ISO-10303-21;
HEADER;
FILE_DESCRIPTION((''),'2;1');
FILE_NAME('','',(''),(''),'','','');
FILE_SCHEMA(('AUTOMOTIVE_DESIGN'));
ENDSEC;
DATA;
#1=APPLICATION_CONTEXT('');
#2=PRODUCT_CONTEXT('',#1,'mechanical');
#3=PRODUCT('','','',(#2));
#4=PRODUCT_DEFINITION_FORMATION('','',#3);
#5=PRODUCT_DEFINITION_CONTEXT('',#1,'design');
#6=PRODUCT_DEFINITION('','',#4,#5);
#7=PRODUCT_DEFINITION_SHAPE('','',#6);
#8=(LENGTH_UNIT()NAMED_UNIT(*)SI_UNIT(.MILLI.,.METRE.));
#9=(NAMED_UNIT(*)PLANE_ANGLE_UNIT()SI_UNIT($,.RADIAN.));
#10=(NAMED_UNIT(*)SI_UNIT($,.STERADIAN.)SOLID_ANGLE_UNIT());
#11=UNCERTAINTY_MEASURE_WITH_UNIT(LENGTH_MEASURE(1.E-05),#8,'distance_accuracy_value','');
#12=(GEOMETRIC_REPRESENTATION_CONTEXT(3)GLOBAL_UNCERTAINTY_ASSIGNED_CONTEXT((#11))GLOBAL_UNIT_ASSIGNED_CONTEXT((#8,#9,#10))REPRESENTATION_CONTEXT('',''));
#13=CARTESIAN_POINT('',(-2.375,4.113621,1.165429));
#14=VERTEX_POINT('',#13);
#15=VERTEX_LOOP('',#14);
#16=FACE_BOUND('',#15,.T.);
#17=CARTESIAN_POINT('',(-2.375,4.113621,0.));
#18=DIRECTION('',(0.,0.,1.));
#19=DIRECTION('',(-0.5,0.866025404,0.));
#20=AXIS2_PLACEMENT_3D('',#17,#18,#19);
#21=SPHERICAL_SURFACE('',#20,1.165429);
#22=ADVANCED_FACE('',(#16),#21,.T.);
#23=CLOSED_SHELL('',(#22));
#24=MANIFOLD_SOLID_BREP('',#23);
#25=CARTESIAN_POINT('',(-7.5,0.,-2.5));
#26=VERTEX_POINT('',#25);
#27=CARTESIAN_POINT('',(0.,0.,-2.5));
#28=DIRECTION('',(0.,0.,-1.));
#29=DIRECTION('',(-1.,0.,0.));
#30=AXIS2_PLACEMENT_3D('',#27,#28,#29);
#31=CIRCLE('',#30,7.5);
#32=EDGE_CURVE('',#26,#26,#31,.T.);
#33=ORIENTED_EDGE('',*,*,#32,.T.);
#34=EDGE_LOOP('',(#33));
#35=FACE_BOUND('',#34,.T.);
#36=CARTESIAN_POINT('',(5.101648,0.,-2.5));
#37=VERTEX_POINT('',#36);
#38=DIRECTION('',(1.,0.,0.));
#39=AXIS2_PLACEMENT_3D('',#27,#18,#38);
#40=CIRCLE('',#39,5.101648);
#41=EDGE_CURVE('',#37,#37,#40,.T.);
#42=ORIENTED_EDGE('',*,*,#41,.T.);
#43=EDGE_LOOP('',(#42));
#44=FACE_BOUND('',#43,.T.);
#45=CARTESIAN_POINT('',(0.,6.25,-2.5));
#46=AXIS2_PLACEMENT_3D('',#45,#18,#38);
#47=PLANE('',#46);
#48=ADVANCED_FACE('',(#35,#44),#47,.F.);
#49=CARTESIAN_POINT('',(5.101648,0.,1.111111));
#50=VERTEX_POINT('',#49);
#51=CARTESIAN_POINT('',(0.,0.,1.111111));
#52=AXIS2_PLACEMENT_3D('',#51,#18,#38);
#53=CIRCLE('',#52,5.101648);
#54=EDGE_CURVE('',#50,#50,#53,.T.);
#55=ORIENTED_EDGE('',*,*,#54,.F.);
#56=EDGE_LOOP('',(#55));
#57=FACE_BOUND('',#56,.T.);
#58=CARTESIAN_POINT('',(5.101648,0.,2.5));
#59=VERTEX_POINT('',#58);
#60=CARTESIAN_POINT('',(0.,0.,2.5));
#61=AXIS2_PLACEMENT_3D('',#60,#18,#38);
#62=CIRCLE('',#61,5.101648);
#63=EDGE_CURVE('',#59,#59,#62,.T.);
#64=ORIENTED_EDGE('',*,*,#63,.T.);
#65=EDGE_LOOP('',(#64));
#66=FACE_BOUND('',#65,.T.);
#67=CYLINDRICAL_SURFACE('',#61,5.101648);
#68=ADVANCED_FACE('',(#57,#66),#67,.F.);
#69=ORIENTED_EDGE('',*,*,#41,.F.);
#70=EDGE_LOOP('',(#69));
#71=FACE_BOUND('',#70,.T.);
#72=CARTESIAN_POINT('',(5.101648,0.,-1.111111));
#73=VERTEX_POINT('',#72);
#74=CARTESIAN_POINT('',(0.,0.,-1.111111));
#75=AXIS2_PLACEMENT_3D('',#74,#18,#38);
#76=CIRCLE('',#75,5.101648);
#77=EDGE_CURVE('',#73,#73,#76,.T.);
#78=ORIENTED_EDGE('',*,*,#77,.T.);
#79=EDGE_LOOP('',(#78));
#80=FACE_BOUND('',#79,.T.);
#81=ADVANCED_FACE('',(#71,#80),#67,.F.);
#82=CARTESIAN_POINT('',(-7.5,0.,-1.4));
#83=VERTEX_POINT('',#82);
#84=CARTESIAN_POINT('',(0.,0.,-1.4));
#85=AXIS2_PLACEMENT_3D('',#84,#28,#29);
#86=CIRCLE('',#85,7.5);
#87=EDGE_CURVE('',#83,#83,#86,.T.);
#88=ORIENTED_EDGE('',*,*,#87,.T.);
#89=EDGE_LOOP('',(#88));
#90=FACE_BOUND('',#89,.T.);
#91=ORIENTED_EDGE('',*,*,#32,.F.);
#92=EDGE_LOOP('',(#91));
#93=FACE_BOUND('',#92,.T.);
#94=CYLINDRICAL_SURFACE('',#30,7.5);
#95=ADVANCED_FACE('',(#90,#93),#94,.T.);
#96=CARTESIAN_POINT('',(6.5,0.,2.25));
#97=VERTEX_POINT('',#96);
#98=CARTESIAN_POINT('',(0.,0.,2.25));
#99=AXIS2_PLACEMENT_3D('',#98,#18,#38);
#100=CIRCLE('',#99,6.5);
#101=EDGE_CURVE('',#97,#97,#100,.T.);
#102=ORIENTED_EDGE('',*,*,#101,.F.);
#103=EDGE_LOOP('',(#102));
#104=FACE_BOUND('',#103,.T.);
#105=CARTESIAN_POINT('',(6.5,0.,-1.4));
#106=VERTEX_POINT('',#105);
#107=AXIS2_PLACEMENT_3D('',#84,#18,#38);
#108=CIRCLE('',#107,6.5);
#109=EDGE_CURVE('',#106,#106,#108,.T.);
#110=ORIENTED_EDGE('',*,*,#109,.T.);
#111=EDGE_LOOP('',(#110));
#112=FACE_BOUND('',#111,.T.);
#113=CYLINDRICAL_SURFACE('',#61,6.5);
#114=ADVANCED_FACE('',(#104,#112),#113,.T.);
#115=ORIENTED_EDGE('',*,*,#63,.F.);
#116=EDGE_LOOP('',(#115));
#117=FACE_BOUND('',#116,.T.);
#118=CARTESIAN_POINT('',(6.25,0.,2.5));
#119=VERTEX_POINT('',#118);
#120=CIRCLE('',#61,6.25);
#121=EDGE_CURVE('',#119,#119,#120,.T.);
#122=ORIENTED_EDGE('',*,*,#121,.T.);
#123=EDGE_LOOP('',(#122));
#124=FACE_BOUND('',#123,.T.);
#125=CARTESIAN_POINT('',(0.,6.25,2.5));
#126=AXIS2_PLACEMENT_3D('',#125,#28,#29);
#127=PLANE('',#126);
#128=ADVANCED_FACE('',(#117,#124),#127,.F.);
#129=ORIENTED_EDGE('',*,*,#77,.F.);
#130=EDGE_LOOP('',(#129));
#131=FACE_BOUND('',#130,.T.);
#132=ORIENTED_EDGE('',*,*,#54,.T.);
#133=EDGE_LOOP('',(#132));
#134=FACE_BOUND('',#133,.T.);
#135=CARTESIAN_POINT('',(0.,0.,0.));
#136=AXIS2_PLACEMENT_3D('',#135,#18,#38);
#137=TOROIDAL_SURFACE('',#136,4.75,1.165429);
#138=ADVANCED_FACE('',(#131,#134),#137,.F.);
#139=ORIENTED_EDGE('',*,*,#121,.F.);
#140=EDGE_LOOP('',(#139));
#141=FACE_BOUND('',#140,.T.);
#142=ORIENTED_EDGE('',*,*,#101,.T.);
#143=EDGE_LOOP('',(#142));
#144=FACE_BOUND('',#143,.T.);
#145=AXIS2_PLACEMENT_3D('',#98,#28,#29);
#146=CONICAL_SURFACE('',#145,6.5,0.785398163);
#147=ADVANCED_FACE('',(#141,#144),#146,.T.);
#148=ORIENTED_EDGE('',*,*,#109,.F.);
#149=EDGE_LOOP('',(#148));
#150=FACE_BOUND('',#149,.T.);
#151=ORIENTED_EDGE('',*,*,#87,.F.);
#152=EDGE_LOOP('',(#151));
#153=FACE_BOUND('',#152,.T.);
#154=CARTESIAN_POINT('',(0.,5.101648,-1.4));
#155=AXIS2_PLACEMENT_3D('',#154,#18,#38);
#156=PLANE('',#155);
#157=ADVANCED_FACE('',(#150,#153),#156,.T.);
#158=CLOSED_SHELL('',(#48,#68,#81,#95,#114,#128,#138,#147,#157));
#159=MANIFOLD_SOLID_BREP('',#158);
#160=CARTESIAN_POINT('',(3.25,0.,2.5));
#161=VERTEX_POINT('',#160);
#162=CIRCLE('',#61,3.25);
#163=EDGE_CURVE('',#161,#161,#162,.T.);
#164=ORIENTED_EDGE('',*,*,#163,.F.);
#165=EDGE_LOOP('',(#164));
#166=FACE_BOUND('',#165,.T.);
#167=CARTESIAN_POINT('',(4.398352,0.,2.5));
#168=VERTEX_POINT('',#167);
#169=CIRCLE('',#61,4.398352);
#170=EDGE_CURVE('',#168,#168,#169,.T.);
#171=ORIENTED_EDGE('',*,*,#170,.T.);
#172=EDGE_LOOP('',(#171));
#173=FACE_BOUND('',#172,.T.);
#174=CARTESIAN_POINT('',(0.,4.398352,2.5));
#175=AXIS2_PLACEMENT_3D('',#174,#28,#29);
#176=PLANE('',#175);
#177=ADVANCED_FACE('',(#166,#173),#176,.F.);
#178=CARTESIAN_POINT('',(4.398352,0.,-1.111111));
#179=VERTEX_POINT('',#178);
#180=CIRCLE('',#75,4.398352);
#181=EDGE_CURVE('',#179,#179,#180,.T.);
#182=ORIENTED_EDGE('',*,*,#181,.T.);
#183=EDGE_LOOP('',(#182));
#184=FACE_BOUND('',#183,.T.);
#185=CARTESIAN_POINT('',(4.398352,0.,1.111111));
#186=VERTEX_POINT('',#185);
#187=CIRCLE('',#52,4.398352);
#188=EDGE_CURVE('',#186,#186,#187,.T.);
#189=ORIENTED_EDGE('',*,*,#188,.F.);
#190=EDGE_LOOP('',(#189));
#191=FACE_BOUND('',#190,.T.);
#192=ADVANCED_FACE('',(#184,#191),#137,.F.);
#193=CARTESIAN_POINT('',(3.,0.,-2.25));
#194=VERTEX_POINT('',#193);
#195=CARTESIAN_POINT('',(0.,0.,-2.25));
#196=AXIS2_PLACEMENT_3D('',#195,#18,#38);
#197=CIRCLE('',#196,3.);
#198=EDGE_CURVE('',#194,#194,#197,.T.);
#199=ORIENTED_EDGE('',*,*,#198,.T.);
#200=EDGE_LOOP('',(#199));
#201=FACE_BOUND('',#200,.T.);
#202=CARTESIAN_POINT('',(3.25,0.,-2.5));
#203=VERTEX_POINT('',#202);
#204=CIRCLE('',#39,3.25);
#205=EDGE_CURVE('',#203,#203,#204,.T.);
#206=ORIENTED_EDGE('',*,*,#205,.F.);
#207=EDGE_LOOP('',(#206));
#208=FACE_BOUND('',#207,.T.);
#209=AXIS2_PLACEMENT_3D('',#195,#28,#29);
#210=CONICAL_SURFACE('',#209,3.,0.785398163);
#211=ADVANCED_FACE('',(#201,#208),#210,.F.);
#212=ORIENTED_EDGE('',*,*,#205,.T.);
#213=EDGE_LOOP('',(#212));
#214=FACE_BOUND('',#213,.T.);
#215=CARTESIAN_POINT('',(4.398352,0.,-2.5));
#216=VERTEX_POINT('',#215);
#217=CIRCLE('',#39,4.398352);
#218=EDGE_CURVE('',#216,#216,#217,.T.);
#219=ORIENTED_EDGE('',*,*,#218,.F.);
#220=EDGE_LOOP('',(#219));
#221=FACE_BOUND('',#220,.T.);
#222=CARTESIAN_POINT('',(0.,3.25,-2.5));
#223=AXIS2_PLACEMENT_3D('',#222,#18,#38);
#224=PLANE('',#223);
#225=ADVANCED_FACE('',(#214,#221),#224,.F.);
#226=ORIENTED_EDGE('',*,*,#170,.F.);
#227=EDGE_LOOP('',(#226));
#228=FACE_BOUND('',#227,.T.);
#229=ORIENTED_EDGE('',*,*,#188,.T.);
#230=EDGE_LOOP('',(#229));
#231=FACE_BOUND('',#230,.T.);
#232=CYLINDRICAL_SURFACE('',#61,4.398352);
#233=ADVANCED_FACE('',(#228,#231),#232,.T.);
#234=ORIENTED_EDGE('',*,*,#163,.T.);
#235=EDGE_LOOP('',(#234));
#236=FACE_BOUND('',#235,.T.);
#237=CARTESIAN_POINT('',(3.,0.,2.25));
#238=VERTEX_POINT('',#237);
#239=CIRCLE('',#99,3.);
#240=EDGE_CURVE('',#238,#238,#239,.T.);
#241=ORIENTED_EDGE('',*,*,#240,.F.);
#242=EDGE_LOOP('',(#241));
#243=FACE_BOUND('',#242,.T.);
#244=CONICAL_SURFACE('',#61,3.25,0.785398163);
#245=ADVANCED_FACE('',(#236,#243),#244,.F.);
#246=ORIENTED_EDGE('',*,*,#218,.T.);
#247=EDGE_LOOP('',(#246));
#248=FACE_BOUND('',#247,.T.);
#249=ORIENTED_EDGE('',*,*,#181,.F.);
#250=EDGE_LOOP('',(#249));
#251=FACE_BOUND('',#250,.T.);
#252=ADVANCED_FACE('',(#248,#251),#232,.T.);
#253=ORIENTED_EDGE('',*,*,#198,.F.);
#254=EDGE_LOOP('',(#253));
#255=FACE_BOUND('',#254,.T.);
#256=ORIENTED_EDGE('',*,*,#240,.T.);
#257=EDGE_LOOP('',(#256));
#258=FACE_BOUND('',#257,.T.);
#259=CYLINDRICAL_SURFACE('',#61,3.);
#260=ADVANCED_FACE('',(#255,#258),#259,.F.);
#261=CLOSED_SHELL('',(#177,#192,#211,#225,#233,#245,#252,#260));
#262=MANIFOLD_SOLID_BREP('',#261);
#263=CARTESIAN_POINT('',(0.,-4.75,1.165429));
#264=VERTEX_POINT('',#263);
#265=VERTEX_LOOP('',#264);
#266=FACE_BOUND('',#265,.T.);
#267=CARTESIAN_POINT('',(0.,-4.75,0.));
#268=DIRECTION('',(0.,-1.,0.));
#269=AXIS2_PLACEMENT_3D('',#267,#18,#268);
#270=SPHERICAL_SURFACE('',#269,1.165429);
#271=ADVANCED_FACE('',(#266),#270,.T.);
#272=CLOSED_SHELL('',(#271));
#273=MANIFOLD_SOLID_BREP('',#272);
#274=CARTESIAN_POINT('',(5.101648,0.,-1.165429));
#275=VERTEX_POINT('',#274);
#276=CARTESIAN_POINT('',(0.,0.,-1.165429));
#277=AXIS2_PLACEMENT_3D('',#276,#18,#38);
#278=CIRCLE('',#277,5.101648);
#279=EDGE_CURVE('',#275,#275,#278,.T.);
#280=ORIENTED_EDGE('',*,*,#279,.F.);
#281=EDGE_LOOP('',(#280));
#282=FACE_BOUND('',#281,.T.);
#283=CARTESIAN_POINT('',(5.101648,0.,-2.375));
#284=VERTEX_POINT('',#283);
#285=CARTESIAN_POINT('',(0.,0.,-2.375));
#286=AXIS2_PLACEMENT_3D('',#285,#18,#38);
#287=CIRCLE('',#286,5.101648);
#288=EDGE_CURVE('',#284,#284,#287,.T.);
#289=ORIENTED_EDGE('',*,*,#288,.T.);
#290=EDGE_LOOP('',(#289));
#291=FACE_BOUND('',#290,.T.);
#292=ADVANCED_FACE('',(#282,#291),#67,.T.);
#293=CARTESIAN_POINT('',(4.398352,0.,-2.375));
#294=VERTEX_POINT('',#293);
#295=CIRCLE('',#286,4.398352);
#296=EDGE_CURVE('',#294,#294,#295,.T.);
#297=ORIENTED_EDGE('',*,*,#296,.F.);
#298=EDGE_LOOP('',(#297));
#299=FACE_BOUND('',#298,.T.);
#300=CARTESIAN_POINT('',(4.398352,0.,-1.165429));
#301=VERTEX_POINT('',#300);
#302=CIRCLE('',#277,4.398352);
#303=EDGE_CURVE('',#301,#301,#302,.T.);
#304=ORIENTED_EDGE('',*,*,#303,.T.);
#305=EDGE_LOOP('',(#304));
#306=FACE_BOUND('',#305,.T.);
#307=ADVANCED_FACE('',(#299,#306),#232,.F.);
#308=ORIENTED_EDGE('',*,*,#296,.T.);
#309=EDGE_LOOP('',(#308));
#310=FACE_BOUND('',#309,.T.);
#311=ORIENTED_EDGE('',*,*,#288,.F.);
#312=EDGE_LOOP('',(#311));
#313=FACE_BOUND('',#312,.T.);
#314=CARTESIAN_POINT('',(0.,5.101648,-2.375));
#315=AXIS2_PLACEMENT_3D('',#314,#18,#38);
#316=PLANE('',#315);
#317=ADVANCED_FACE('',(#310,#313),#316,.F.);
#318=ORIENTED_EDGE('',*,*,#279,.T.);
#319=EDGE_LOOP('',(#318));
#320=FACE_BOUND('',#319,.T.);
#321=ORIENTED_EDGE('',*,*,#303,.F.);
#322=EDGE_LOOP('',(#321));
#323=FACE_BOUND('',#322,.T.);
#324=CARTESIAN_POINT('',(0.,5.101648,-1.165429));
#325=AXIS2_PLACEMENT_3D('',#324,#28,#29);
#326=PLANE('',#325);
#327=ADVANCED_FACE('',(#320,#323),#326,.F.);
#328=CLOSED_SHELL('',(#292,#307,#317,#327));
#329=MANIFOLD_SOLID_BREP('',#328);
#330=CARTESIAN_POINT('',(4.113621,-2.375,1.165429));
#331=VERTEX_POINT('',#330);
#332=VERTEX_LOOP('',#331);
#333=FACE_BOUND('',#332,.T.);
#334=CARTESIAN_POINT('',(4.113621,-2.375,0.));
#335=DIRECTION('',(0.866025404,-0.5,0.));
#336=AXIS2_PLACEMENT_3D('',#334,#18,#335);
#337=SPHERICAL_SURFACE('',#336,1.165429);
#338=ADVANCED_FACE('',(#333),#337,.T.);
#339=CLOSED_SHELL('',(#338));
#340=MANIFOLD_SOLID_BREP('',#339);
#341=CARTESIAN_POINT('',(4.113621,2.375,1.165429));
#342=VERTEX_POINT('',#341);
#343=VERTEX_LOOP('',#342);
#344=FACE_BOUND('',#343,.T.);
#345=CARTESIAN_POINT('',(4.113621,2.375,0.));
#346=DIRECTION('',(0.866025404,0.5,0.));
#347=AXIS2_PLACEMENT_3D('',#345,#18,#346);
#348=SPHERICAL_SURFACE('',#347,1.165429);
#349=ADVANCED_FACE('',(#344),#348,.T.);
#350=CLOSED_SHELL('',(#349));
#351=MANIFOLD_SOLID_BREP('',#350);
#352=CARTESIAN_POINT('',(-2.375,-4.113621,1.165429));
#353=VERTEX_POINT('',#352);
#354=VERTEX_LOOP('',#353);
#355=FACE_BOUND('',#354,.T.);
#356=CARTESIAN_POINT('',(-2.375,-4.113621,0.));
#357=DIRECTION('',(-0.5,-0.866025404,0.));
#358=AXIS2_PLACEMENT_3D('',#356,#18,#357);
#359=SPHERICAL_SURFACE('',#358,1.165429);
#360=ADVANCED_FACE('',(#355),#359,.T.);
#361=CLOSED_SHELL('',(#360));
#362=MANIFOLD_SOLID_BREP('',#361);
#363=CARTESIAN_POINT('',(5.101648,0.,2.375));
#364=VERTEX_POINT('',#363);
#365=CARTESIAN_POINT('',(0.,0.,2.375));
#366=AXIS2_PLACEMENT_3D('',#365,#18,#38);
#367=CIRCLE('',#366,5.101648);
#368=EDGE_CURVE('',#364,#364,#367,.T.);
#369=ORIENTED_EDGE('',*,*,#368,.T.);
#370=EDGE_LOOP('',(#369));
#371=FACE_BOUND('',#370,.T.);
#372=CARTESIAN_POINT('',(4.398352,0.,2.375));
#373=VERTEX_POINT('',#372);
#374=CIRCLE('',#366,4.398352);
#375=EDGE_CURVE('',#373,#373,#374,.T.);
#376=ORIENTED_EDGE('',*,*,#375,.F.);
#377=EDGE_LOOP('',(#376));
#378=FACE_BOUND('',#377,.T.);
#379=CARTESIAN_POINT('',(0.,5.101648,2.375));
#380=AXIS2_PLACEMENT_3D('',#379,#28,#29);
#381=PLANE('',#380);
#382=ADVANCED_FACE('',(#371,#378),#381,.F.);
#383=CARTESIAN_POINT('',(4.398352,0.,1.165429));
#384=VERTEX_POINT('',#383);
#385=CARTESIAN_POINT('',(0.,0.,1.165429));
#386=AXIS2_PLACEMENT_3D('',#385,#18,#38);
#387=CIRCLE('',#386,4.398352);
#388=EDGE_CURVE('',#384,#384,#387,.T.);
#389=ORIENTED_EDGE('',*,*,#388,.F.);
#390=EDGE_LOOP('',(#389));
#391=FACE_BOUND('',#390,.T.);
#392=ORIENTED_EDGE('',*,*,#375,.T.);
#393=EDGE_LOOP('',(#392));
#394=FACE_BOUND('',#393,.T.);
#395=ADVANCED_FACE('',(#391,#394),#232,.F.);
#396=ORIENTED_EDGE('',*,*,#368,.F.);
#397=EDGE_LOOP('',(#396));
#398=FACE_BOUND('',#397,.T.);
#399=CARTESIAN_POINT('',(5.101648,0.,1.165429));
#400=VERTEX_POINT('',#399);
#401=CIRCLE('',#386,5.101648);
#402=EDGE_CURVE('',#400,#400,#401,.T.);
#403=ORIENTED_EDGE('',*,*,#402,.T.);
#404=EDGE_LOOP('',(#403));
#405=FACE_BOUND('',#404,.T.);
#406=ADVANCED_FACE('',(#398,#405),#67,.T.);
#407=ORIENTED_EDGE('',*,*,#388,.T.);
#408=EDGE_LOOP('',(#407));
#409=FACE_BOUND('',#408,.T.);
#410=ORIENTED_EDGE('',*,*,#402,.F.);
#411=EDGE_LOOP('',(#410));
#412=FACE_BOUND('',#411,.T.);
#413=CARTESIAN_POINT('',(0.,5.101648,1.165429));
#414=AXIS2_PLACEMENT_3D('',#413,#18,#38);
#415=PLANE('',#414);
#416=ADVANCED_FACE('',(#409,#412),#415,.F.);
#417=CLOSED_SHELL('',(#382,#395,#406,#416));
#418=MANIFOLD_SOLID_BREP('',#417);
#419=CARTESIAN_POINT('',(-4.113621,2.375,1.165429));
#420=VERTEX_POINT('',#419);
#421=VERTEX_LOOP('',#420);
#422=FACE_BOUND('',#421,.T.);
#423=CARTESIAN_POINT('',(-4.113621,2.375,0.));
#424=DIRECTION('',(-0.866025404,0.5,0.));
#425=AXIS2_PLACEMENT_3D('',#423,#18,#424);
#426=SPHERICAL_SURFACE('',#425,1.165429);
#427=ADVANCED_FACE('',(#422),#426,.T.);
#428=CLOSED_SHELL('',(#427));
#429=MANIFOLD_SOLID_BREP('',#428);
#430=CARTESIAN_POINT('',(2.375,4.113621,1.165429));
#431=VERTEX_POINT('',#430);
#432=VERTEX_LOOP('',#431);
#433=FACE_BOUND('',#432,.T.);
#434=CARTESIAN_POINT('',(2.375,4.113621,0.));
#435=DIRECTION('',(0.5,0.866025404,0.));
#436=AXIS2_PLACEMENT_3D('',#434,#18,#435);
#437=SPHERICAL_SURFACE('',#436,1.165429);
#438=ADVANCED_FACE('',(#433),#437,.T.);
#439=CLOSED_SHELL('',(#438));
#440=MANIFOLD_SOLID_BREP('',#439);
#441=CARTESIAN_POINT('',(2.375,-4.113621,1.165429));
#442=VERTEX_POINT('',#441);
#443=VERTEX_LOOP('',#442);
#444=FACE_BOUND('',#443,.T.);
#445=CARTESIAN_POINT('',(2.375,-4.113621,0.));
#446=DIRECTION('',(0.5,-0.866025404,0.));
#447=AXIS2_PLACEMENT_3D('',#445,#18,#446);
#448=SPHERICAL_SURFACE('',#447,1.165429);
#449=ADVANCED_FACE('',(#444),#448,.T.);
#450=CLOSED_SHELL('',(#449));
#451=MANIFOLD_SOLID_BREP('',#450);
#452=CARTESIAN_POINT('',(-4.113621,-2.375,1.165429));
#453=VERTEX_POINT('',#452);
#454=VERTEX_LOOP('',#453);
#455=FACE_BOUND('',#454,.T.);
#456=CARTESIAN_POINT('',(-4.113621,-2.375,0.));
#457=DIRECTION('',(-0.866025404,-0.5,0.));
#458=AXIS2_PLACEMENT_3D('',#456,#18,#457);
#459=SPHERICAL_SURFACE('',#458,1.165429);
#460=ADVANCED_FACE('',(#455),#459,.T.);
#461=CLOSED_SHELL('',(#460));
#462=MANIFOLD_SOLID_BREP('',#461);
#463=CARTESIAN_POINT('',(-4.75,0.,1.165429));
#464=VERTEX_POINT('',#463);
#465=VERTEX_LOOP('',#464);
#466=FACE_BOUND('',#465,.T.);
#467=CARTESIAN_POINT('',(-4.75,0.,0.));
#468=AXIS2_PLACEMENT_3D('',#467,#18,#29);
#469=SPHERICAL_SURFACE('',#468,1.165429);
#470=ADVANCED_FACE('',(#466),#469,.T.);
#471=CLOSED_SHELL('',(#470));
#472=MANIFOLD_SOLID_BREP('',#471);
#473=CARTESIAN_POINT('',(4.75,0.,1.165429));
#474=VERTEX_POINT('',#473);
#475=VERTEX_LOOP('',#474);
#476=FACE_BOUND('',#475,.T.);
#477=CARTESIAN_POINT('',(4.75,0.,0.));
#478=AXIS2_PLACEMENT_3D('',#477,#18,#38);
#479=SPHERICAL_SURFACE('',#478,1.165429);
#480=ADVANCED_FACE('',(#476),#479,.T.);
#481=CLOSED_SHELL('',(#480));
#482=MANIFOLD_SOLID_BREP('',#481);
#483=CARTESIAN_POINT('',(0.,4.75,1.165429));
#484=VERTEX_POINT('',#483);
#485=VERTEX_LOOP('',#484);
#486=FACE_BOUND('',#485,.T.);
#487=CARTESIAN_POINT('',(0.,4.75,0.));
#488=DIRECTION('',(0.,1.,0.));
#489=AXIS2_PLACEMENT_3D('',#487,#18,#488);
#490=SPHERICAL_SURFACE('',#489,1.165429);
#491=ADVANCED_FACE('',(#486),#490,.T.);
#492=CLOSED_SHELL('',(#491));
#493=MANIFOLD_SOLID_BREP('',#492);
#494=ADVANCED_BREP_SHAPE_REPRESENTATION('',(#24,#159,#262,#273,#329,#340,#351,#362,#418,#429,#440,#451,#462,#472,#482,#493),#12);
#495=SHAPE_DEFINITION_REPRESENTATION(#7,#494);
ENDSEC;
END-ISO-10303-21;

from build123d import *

# Parameters (mm, degrees)
CIRPATTERN1_COUNT = 12
SKETCH5_W         = 1.209571124
SKETCH5_H         = 0.703296704
SKETCH6_W         = 1.1
SKETCH6_H         = 2.398351648


with BuildPart() as part:
    # Sketch1 → Revolve1 (revolve)
    with BuildSketch(Plane(origin=(0, 0, 0), x_dir=(0, 0, -1), z_dir=(1, 0, 0))):
        with BuildLine():
            Line((2.25, 6.5), (-2.25, 6.5))
            Line((-2.25, 6.5), (-2.5, 6.25))
            Line((-2.5, 6.25), (-2.5, 5.101648352))
            Line((-2.5, 5.101648352), (-1.111111111, 5.101648352))
            ThreePointArc((-1.111111111, 5.101648352), (0, 5.915428876), (1.111111111, 5.101648352))
            Line((1.111111111, 5.101648352), (2.5, 5.101648352))
            Line((2.5, 5.101648352), (2.5, 6.25))
            Line((2.5, 6.25), (2.25, 6.5))
        make_face()
    revolve(axis=Axis((0, 0, 2.5), (0, 0, -1)))

    # Sketch6 → Revolve6 (revolve)
    with BuildSketch(Plane(origin=(0, 0, 0), x_dir=(0, 0, -1), z_dir=(1, 0, 0))):
        with Locations((1.95, 6.300824176)):
            Rectangle(SKETCH6_W, SKETCH6_H)
    revolve(axis=Axis((0, 0, -2.5), (0, 0, 1)))


with BuildPart() as body_2:
    # Sketch3 → Revolve3 (revolve)
    with BuildSketch(Plane(origin=(0, 0, 0), x_dir=(0, 0, -1), z_dir=(1, 0, 0))):
        with BuildLine():
            Line((-2.5, 4.398351648), (-1.111111111, 4.398351648))
            ThreePointArc((-1.111111111, 4.398351648), (0, 3.584571124), (1.111111111, 4.398351648))
            Line((1.111111111, 4.398351648), (2.5, 4.398351648))
            Line((2.5, 4.398351648), (2.5, 3.25))
            Line((2.5, 3.25), (2.25, 3))
            Line((2.25, 3), (-2.25, 3))
            Line((-2.25, 3), (-2.5, 3.25))
            Line((-2.5, 3.25), (-2.5, 4.398351648))
        make_face()
    revolve(axis=Axis((0, 0, 2.5), (0, 0, -1)))


with BuildPart() as body_3:
    # Sketch4 → Revolve4 (revolve)
    with BuildSketch(Plane(origin=(0, 0, 0), x_dir=(0, 0, -1), z_dir=(1, 0, 0))):
        with BuildLine():
            Line((-1.165428876, 4.75), (1.165428876, 4.75))
            ThreePointArc((1.165428876, 4.75), (0, 5.915428876), (-1.165428876, 4.75))
        make_face()
    revolve(axis=Axis((0, 4.75, 1.165428876), (0, 0, -1)))


with BuildPart() as cirpattern1_1:
    # CirPattern1: pattern copy
    add(body_3.part.rotate(Axis((0, 0, 0), (0, 0, 1)), 1 * 360 / CIRPATTERN1_COUNT))


with BuildPart() as cirpattern1_2:
    # CirPattern1: pattern copy
    add(body_3.part.rotate(Axis((0, 0, 0), (0, 0, 1)), 2 * 360 / CIRPATTERN1_COUNT))


with BuildPart() as cirpattern1_3:
    # CirPattern1: pattern copy
    add(body_3.part.rotate(Axis((0, 0, 0), (0, 0, 1)), 3 * 360 / CIRPATTERN1_COUNT))


with BuildPart() as cirpattern1_4:
    # CirPattern1: pattern copy
    add(body_3.part.rotate(Axis((0, 0, 0), (0, 0, 1)), 4 * 360 / CIRPATTERN1_COUNT))


with BuildPart() as cirpattern1_5:
    # CirPattern1: pattern copy
    add(body_3.part.rotate(Axis((0, 0, 0), (0, 0, 1)), 5 * 360 / CIRPATTERN1_COUNT))


with BuildPart() as cirpattern1_6:
    # CirPattern1: pattern copy
    add(body_3.part.rotate(Axis((0, 0, 0), (0, 0, 1)), 6 * 360 / CIRPATTERN1_COUNT))


with BuildPart() as cirpattern1_7:
    # CirPattern1: pattern copy
    add(body_3.part.rotate(Axis((0, 0, 0), (0, 0, 1)), 7 * 360 / CIRPATTERN1_COUNT))


with BuildPart() as cirpattern1_8:
    # CirPattern1: pattern copy
    add(body_3.part.rotate(Axis((0, 0, 0), (0, 0, 1)), 8 * 360 / CIRPATTERN1_COUNT))


with BuildPart() as cirpattern1_9:
    # CirPattern1: pattern copy
    add(body_3.part.rotate(Axis((0, 0, 0), (0, 0, 1)), 9 * 360 / CIRPATTERN1_COUNT))


with BuildPart() as cirpattern1_10:
    # CirPattern1: pattern copy
    add(body_3.part.rotate(Axis((0, 0, 0), (0, 0, 1)), 10 * 360 / CIRPATTERN1_COUNT))


with BuildPart() as cirpattern1_11:
    # CirPattern1: pattern copy
    add(body_3.part.rotate(Axis((0, 0, 0), (0, 0, 1)), 11 * 360 / CIRPATTERN1_COUNT))


with BuildPart() as body_15:
    # Sketch5 → Revolve5 (revolve)
    with BuildSketch(Plane(origin=(0, 0, 0), x_dir=(0, 0, -1), z_dir=(1, 0, 0))):
        with Locations((-1.770214438, 4.75)):
            Rectangle(SKETCH5_W, SKETCH5_H)
        with Locations((1.770214438, 4.75)):
            Rectangle(SKETCH5_W, SKETCH5_H)
    revolve(axis=Axis((0, 0, 2.5), (0, 0, -1)))


solid = Compound([part.part, body_2.part, body_3.part, cirpattern1_1.part, cirpattern1_2.part, cirpattern1_3.part, cirpattern1_4.part, cirpattern1_5.part, cirpattern1_6.part, cirpattern1_7.part, cirpattern1_8.part, cirpattern1_9.part, cirpattern1_10.part, cirpattern1_11.part, body_15.part])
